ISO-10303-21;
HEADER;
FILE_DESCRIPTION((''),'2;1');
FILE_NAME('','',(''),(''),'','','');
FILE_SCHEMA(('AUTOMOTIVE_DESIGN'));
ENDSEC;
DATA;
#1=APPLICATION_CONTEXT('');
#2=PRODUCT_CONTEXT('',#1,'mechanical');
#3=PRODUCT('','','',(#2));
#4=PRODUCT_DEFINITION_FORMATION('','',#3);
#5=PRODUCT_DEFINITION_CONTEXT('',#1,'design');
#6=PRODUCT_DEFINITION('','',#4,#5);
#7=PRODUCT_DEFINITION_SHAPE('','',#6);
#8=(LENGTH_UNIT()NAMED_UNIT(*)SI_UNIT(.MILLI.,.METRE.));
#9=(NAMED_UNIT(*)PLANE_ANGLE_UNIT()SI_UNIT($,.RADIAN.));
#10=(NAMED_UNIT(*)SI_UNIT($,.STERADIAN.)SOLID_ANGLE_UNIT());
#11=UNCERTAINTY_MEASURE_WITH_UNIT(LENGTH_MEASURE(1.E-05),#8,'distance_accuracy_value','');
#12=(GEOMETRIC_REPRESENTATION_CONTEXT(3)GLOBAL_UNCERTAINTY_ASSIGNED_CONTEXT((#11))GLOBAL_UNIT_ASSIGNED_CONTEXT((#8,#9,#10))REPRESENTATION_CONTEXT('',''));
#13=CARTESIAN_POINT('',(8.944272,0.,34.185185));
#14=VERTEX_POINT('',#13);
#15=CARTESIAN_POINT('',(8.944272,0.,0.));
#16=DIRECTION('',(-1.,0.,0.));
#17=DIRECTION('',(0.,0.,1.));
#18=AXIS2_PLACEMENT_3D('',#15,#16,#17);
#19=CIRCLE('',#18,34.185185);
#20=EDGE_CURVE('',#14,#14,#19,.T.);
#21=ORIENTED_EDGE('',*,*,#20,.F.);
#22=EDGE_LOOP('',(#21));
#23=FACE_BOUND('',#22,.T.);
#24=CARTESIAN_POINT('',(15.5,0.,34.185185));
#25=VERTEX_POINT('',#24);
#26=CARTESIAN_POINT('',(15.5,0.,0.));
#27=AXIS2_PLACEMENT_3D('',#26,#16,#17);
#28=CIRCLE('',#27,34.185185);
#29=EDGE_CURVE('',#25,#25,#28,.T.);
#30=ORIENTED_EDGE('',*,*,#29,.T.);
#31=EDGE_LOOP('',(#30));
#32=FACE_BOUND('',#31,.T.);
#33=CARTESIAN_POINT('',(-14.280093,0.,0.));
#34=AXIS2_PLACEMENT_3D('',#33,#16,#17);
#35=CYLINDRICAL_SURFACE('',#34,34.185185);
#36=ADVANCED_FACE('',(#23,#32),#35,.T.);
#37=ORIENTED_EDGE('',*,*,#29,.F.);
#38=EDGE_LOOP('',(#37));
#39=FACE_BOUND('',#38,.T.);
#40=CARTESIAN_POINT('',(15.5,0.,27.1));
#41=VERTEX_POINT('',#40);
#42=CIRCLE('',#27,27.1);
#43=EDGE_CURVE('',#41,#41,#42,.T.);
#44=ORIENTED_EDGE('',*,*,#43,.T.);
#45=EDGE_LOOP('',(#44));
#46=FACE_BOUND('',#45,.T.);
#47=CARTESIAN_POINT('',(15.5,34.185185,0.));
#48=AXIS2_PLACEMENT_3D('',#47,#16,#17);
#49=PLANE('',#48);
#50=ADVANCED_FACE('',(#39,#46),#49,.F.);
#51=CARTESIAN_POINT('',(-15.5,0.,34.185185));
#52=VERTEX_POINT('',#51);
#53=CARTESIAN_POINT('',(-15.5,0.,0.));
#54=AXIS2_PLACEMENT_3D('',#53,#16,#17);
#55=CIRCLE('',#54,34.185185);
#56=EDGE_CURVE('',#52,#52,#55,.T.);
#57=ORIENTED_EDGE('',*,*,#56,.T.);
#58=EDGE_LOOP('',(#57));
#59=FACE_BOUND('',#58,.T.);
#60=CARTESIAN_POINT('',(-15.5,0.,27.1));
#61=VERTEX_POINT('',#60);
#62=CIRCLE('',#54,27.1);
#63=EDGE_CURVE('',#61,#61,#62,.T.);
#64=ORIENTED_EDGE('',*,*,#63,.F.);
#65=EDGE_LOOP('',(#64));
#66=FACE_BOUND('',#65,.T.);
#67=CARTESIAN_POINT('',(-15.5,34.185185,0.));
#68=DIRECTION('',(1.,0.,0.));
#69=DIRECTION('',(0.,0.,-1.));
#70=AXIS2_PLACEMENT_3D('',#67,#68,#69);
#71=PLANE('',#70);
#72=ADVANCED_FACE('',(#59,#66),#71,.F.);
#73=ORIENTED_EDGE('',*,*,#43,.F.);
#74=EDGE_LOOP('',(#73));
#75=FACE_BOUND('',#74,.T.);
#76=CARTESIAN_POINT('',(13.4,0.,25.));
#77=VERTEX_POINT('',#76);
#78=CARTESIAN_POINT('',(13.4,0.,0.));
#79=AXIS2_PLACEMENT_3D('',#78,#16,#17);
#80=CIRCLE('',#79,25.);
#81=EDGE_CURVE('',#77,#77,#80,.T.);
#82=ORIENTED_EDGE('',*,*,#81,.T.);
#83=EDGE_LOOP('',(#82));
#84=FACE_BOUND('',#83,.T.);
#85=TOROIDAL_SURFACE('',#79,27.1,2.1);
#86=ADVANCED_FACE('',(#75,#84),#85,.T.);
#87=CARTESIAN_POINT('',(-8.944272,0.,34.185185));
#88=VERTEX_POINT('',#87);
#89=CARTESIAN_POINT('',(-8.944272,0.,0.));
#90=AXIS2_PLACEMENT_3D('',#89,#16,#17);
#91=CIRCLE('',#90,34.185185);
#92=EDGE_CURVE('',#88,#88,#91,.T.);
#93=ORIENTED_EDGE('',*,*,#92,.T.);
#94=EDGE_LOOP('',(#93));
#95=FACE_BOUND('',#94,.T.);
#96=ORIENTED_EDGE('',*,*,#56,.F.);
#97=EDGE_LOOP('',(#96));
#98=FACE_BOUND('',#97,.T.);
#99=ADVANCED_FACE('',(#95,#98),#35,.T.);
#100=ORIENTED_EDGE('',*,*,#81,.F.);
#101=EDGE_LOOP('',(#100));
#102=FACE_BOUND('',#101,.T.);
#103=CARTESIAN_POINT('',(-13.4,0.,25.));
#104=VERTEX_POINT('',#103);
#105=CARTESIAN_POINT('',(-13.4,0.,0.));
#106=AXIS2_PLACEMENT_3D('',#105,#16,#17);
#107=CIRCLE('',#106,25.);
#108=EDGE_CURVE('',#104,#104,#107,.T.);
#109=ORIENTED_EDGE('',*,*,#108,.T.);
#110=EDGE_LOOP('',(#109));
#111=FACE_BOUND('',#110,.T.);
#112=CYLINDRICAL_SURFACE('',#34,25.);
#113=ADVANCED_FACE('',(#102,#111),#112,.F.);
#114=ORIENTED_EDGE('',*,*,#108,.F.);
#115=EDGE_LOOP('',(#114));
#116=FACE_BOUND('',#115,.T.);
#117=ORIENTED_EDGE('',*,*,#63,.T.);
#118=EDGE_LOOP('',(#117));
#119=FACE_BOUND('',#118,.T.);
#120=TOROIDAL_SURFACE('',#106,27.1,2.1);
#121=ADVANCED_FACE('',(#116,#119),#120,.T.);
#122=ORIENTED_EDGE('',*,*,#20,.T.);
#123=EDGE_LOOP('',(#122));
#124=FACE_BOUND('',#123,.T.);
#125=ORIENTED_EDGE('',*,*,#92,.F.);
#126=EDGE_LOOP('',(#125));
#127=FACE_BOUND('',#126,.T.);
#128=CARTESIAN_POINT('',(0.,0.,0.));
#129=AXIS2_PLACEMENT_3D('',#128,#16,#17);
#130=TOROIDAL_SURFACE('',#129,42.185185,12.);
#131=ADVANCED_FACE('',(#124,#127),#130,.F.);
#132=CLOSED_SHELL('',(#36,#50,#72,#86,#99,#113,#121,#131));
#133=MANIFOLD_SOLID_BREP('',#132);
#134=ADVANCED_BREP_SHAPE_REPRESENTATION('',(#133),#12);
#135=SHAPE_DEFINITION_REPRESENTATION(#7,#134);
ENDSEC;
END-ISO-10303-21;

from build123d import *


with BuildPart() as part:
    # Sketch2 → Revolve1 (revolve)
    with BuildSketch(Plane.XY):
        with BuildLine():
            Line((8.94427191, 34.185185185), (15.5, 34.185185185))
            Line((15.5, 34.185185185), (15.5, 27.1))
            ThreePointArc((15.5, 27.1), (14.88492424, 25.61507576), (13.4, 25))
            Line((13.4, 25), (-13.4, 25))
            ThreePointArc((-13.4, 25), (-14.88492424, 25.61507576), (-15.5, 27.1))
            Line((-15.5, 27.1), (-15.5, 34.185185185))
            Line((-15.5, 34.185185185), (-8.94427191, 34.185185185))
            ThreePointArc((-8.94427191, 34.185185185), (0, 30.185185185), (8.94427191, 34.185185185))
        make_face()
    revolve(axis=Axis((-14.280092593, 0, 0), (1, 0, 0)))


solid = part.part
